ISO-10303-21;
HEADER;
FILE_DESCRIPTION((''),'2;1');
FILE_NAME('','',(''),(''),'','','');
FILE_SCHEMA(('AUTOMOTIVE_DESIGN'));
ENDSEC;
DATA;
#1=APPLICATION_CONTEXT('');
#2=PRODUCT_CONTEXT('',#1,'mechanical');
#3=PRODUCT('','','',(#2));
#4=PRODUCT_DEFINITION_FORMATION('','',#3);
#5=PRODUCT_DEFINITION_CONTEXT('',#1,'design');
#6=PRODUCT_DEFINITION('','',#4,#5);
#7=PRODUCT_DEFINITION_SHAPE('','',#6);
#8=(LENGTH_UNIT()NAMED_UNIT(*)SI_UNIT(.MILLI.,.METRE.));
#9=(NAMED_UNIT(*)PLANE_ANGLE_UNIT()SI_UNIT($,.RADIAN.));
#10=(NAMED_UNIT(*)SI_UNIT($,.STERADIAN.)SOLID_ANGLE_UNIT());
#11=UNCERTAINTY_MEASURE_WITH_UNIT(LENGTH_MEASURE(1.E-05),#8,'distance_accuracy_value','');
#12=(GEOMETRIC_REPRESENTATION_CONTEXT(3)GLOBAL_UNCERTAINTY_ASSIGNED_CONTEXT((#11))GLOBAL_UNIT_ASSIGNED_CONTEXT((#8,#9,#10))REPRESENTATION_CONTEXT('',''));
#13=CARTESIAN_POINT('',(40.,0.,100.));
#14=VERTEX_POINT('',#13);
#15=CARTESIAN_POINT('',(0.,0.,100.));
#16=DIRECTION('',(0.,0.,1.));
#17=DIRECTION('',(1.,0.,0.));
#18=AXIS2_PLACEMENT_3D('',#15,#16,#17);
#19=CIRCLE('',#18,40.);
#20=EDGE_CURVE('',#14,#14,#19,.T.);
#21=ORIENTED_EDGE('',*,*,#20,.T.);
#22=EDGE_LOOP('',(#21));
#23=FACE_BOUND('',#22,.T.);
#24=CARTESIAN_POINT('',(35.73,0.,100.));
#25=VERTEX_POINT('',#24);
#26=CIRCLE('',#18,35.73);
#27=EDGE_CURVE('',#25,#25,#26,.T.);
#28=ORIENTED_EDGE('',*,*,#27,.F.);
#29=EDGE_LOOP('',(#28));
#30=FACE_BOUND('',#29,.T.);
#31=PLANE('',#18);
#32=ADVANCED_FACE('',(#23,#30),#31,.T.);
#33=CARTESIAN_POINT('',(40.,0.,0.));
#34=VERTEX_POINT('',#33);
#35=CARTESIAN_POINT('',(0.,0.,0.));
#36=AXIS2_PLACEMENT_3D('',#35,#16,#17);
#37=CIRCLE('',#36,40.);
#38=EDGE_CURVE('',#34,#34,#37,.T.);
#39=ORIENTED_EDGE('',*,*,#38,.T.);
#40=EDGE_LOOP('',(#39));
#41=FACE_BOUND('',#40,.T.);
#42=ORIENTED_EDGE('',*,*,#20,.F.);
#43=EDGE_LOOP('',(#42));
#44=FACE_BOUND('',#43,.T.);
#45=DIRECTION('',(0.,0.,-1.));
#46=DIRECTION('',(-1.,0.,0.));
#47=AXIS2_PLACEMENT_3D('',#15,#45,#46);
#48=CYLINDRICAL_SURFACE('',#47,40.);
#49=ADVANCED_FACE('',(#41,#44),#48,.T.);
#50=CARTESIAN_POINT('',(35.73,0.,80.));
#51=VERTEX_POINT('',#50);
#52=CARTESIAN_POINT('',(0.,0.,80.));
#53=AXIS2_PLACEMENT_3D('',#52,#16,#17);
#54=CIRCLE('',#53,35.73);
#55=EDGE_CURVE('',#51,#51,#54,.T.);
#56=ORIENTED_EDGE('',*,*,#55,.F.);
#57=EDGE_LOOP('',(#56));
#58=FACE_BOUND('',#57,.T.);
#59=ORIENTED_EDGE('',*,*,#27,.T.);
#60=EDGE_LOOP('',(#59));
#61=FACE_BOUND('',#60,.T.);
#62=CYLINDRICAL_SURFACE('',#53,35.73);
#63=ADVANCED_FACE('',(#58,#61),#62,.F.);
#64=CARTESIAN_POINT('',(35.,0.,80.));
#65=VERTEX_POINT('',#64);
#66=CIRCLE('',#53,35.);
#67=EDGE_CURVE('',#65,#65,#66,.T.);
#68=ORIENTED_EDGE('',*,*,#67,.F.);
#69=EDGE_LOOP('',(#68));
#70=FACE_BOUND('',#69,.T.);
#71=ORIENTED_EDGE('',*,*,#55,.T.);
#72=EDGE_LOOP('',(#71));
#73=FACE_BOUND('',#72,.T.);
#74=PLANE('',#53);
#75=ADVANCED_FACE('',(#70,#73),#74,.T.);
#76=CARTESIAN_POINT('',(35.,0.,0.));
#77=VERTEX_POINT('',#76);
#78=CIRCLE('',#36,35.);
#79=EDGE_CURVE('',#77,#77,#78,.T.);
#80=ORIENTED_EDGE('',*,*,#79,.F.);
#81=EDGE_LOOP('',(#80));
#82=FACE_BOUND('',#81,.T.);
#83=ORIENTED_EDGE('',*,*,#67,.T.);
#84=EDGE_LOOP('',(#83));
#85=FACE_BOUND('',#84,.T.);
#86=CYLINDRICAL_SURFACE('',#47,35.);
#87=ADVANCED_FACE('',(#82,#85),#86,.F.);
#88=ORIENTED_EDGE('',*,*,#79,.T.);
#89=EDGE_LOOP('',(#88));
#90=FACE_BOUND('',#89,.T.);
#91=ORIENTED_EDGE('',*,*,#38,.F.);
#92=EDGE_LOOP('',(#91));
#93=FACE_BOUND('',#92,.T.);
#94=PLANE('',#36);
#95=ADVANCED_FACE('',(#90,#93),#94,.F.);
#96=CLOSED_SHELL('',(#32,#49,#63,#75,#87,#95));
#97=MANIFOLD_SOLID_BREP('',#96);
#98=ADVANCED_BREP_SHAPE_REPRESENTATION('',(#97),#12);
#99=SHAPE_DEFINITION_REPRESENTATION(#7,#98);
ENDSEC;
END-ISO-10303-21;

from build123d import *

# Parameters (mm, degrees)
SKIZZE1_R                       = 40
SKIZZE1_R_2                     = 35
AUFSATZ_LINEAR_AUSTRAGEN1_DEPTH = 100
SKIZZE4_R                       = 35.73
SCHNITT_LINEAR_AUSTRAGEN1_DEPTH = 20


with BuildPart() as part:
    # Skizze1 → Aufsatz-Linear austragen1 (new body)
    with BuildSketch(Plane.XY):
        Circle(SKIZZE1_R)
        Circle(SKIZZE1_R_2, mode=Mode.SUBTRACT)
    extrude(amount=AUFSATZ_LINEAR_AUSTRAGEN1_DEPTH)

    # Skizze4 → Schnitt-Linear austragen1 (cut)
    with BuildSketch(Plane.XY.offset(100)):
        Circle(SKIZZE4_R)
    extrude(amount=-SCHNITT_LINEAR_AUSTRAGEN1_DEPTH, mode=Mode.SUBTRACT)


solid = part.part
